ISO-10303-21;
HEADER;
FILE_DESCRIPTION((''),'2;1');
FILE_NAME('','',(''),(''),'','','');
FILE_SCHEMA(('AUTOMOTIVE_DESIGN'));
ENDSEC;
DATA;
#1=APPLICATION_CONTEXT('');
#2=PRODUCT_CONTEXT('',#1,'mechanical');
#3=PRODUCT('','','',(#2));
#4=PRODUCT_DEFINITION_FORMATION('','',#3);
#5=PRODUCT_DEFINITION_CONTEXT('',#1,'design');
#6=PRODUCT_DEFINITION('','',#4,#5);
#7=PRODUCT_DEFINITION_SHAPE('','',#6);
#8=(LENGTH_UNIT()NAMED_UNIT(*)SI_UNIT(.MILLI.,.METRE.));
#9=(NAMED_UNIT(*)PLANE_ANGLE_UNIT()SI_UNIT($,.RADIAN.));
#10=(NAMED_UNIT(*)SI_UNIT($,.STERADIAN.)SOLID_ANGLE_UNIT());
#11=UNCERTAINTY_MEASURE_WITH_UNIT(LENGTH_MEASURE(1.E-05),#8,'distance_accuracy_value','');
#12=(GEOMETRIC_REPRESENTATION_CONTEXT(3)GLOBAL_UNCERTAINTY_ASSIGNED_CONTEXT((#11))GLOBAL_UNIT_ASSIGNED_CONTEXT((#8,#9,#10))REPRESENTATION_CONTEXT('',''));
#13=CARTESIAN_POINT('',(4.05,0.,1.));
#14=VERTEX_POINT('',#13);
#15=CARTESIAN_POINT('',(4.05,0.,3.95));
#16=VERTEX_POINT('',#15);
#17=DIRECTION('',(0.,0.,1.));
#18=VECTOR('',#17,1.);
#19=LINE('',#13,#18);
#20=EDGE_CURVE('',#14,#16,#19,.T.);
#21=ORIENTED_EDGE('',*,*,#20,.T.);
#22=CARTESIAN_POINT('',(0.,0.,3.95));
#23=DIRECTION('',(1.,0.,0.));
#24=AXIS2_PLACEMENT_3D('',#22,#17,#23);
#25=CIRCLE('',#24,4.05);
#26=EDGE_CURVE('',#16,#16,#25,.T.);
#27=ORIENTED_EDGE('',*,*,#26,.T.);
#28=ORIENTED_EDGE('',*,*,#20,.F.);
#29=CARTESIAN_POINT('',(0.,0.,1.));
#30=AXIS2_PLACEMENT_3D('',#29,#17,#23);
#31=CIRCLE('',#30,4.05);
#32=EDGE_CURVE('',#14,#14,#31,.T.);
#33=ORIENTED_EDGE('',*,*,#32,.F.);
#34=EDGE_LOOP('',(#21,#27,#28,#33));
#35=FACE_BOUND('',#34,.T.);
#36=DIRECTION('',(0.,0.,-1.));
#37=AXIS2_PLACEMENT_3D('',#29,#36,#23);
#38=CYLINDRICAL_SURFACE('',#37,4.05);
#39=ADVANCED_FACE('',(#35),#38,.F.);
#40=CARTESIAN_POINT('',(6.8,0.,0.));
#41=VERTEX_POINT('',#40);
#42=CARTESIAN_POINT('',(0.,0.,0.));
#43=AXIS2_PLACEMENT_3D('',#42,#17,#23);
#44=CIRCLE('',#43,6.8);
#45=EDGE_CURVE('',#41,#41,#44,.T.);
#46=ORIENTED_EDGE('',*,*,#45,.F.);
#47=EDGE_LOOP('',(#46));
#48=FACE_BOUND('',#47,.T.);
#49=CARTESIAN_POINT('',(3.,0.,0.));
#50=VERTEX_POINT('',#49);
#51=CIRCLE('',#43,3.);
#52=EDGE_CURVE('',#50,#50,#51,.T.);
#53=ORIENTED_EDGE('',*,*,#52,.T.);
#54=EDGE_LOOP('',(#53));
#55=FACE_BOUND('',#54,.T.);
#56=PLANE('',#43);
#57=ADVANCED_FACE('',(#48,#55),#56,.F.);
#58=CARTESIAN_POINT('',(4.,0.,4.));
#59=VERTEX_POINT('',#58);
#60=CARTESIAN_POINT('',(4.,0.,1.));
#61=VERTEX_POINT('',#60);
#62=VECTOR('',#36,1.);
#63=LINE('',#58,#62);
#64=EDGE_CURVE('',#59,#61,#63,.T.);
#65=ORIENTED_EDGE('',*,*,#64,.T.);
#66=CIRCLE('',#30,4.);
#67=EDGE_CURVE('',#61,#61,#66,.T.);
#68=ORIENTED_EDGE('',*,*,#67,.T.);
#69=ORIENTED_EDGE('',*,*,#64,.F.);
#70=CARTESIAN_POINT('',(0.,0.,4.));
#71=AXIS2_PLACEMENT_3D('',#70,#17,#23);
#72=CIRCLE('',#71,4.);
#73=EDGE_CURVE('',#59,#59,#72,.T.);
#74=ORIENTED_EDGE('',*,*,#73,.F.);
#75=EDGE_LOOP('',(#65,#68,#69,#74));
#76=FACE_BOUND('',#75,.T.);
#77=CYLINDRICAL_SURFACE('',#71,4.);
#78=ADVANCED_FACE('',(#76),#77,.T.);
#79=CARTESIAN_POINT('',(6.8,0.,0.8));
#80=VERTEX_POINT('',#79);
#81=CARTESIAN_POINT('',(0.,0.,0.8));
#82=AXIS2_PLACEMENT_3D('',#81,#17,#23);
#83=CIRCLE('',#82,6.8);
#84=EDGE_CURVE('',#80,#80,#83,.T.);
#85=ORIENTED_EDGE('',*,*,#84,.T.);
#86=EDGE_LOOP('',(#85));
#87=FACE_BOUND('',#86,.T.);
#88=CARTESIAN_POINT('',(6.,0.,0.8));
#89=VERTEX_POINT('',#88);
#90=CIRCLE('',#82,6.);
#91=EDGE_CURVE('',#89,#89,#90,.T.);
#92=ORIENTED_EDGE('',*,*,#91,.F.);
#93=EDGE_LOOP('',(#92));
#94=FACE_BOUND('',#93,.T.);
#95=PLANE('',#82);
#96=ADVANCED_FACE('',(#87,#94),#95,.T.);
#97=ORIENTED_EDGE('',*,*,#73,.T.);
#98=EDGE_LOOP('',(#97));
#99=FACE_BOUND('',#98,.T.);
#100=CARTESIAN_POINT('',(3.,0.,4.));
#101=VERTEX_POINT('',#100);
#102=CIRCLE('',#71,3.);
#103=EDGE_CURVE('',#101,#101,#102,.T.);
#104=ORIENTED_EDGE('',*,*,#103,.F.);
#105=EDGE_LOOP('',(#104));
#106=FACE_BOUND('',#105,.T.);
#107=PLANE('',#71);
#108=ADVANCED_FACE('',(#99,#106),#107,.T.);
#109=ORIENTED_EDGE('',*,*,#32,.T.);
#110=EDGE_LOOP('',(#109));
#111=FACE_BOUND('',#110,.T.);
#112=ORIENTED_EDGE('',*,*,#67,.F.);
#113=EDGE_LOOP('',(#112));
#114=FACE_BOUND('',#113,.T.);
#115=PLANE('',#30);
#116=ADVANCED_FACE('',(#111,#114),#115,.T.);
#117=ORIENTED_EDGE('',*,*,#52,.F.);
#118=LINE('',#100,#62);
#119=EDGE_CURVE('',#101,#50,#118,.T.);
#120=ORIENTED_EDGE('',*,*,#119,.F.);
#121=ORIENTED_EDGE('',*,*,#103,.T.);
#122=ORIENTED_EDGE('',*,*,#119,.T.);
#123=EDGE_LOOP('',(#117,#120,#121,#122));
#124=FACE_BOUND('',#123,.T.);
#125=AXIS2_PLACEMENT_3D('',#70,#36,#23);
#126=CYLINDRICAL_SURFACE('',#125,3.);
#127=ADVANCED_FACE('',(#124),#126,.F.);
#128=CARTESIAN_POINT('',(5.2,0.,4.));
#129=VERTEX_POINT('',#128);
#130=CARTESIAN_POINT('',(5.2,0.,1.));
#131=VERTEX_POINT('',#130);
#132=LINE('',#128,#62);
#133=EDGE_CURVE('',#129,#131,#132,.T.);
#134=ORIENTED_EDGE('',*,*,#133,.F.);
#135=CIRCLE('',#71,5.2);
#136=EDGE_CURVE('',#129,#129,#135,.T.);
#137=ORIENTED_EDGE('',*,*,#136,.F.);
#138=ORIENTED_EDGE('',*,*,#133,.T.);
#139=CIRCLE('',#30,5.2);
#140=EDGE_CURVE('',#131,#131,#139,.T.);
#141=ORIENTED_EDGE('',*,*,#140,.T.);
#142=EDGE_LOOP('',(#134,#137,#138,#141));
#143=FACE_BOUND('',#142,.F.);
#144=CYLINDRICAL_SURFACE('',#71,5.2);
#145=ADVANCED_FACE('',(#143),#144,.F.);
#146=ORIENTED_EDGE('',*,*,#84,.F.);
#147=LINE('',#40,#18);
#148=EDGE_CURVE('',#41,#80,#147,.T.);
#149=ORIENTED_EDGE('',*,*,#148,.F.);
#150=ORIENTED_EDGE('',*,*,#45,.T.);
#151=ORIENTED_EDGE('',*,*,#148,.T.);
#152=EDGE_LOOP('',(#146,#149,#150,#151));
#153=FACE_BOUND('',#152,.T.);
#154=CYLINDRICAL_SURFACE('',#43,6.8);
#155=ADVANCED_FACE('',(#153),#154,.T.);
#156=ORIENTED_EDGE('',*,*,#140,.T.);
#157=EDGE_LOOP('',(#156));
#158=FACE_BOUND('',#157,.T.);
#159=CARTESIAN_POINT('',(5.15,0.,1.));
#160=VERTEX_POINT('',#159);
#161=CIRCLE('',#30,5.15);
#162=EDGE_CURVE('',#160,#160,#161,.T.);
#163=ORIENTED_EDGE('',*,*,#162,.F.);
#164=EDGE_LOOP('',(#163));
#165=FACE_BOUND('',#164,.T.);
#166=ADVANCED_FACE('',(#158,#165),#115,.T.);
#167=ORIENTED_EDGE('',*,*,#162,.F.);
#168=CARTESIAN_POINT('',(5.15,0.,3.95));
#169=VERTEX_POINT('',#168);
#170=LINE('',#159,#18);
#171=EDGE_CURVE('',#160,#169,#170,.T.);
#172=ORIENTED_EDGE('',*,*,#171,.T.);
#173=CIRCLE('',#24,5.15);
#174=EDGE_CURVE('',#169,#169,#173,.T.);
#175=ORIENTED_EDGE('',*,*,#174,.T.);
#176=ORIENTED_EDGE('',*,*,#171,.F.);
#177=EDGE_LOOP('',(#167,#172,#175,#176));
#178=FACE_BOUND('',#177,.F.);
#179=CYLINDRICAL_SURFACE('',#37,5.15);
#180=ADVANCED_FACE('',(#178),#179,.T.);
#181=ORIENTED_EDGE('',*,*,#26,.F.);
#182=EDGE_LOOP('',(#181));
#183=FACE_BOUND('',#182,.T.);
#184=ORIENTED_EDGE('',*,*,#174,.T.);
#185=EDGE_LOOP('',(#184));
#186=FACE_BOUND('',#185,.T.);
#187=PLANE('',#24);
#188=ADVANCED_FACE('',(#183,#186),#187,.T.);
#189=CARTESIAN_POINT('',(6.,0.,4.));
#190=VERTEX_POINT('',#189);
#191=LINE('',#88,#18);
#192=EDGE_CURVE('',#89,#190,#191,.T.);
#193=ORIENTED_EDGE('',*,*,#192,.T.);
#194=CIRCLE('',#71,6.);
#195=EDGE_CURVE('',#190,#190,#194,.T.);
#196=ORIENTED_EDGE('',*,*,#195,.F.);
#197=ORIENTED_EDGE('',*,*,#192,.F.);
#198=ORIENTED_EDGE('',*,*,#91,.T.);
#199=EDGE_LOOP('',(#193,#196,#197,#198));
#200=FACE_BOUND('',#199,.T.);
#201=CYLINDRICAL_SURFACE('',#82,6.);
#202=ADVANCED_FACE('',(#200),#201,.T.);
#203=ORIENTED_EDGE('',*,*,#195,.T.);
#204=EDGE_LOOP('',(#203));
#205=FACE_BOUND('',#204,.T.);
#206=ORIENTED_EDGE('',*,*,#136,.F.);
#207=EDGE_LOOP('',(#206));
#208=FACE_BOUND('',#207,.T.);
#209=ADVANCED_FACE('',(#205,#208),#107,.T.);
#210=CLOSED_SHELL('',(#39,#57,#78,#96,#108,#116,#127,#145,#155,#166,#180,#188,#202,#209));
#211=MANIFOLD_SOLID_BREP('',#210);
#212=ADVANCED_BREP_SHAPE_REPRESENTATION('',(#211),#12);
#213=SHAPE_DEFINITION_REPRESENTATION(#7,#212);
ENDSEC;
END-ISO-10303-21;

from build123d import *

# Parameters (mm, degrees)
F2_R     = 5.2
F2_R_2   = 4
F3_DEPTH = 3
F4_R     = 5.15
F4_R_2   = 4.05
F5_DEPTH = 2.95


with BuildPart() as f1:
    # F0 (on Front) → F1 (revolve)
    with BuildSketch(Plane.XZ):
        Polygon((3, 4), (3, 0), (6.8, 0), (6.8, 0.8), (6, 0.8), (6, 4), align=None)
    revolve(axis=Axis((0, 0, 2), (0, 0, 1)))

    # F2 (on face) → F3 (cut)
    with BuildSketch(Plane.XY.offset(4)):
        Circle(F2_R)
        Circle(F2_R_2, mode=Mode.SUBTRACT)
    extrude(amount=-F3_DEPTH, mode=Mode.SUBTRACT)

    # F4 (on face) → F5 (join)
    with BuildSketch(Plane.XY.offset(1)):
        Circle(F4_R)
        Circle(F4_R_2, mode=Mode.SUBTRACT)
    extrude(amount=F5_DEPTH)


solid = f1.part
